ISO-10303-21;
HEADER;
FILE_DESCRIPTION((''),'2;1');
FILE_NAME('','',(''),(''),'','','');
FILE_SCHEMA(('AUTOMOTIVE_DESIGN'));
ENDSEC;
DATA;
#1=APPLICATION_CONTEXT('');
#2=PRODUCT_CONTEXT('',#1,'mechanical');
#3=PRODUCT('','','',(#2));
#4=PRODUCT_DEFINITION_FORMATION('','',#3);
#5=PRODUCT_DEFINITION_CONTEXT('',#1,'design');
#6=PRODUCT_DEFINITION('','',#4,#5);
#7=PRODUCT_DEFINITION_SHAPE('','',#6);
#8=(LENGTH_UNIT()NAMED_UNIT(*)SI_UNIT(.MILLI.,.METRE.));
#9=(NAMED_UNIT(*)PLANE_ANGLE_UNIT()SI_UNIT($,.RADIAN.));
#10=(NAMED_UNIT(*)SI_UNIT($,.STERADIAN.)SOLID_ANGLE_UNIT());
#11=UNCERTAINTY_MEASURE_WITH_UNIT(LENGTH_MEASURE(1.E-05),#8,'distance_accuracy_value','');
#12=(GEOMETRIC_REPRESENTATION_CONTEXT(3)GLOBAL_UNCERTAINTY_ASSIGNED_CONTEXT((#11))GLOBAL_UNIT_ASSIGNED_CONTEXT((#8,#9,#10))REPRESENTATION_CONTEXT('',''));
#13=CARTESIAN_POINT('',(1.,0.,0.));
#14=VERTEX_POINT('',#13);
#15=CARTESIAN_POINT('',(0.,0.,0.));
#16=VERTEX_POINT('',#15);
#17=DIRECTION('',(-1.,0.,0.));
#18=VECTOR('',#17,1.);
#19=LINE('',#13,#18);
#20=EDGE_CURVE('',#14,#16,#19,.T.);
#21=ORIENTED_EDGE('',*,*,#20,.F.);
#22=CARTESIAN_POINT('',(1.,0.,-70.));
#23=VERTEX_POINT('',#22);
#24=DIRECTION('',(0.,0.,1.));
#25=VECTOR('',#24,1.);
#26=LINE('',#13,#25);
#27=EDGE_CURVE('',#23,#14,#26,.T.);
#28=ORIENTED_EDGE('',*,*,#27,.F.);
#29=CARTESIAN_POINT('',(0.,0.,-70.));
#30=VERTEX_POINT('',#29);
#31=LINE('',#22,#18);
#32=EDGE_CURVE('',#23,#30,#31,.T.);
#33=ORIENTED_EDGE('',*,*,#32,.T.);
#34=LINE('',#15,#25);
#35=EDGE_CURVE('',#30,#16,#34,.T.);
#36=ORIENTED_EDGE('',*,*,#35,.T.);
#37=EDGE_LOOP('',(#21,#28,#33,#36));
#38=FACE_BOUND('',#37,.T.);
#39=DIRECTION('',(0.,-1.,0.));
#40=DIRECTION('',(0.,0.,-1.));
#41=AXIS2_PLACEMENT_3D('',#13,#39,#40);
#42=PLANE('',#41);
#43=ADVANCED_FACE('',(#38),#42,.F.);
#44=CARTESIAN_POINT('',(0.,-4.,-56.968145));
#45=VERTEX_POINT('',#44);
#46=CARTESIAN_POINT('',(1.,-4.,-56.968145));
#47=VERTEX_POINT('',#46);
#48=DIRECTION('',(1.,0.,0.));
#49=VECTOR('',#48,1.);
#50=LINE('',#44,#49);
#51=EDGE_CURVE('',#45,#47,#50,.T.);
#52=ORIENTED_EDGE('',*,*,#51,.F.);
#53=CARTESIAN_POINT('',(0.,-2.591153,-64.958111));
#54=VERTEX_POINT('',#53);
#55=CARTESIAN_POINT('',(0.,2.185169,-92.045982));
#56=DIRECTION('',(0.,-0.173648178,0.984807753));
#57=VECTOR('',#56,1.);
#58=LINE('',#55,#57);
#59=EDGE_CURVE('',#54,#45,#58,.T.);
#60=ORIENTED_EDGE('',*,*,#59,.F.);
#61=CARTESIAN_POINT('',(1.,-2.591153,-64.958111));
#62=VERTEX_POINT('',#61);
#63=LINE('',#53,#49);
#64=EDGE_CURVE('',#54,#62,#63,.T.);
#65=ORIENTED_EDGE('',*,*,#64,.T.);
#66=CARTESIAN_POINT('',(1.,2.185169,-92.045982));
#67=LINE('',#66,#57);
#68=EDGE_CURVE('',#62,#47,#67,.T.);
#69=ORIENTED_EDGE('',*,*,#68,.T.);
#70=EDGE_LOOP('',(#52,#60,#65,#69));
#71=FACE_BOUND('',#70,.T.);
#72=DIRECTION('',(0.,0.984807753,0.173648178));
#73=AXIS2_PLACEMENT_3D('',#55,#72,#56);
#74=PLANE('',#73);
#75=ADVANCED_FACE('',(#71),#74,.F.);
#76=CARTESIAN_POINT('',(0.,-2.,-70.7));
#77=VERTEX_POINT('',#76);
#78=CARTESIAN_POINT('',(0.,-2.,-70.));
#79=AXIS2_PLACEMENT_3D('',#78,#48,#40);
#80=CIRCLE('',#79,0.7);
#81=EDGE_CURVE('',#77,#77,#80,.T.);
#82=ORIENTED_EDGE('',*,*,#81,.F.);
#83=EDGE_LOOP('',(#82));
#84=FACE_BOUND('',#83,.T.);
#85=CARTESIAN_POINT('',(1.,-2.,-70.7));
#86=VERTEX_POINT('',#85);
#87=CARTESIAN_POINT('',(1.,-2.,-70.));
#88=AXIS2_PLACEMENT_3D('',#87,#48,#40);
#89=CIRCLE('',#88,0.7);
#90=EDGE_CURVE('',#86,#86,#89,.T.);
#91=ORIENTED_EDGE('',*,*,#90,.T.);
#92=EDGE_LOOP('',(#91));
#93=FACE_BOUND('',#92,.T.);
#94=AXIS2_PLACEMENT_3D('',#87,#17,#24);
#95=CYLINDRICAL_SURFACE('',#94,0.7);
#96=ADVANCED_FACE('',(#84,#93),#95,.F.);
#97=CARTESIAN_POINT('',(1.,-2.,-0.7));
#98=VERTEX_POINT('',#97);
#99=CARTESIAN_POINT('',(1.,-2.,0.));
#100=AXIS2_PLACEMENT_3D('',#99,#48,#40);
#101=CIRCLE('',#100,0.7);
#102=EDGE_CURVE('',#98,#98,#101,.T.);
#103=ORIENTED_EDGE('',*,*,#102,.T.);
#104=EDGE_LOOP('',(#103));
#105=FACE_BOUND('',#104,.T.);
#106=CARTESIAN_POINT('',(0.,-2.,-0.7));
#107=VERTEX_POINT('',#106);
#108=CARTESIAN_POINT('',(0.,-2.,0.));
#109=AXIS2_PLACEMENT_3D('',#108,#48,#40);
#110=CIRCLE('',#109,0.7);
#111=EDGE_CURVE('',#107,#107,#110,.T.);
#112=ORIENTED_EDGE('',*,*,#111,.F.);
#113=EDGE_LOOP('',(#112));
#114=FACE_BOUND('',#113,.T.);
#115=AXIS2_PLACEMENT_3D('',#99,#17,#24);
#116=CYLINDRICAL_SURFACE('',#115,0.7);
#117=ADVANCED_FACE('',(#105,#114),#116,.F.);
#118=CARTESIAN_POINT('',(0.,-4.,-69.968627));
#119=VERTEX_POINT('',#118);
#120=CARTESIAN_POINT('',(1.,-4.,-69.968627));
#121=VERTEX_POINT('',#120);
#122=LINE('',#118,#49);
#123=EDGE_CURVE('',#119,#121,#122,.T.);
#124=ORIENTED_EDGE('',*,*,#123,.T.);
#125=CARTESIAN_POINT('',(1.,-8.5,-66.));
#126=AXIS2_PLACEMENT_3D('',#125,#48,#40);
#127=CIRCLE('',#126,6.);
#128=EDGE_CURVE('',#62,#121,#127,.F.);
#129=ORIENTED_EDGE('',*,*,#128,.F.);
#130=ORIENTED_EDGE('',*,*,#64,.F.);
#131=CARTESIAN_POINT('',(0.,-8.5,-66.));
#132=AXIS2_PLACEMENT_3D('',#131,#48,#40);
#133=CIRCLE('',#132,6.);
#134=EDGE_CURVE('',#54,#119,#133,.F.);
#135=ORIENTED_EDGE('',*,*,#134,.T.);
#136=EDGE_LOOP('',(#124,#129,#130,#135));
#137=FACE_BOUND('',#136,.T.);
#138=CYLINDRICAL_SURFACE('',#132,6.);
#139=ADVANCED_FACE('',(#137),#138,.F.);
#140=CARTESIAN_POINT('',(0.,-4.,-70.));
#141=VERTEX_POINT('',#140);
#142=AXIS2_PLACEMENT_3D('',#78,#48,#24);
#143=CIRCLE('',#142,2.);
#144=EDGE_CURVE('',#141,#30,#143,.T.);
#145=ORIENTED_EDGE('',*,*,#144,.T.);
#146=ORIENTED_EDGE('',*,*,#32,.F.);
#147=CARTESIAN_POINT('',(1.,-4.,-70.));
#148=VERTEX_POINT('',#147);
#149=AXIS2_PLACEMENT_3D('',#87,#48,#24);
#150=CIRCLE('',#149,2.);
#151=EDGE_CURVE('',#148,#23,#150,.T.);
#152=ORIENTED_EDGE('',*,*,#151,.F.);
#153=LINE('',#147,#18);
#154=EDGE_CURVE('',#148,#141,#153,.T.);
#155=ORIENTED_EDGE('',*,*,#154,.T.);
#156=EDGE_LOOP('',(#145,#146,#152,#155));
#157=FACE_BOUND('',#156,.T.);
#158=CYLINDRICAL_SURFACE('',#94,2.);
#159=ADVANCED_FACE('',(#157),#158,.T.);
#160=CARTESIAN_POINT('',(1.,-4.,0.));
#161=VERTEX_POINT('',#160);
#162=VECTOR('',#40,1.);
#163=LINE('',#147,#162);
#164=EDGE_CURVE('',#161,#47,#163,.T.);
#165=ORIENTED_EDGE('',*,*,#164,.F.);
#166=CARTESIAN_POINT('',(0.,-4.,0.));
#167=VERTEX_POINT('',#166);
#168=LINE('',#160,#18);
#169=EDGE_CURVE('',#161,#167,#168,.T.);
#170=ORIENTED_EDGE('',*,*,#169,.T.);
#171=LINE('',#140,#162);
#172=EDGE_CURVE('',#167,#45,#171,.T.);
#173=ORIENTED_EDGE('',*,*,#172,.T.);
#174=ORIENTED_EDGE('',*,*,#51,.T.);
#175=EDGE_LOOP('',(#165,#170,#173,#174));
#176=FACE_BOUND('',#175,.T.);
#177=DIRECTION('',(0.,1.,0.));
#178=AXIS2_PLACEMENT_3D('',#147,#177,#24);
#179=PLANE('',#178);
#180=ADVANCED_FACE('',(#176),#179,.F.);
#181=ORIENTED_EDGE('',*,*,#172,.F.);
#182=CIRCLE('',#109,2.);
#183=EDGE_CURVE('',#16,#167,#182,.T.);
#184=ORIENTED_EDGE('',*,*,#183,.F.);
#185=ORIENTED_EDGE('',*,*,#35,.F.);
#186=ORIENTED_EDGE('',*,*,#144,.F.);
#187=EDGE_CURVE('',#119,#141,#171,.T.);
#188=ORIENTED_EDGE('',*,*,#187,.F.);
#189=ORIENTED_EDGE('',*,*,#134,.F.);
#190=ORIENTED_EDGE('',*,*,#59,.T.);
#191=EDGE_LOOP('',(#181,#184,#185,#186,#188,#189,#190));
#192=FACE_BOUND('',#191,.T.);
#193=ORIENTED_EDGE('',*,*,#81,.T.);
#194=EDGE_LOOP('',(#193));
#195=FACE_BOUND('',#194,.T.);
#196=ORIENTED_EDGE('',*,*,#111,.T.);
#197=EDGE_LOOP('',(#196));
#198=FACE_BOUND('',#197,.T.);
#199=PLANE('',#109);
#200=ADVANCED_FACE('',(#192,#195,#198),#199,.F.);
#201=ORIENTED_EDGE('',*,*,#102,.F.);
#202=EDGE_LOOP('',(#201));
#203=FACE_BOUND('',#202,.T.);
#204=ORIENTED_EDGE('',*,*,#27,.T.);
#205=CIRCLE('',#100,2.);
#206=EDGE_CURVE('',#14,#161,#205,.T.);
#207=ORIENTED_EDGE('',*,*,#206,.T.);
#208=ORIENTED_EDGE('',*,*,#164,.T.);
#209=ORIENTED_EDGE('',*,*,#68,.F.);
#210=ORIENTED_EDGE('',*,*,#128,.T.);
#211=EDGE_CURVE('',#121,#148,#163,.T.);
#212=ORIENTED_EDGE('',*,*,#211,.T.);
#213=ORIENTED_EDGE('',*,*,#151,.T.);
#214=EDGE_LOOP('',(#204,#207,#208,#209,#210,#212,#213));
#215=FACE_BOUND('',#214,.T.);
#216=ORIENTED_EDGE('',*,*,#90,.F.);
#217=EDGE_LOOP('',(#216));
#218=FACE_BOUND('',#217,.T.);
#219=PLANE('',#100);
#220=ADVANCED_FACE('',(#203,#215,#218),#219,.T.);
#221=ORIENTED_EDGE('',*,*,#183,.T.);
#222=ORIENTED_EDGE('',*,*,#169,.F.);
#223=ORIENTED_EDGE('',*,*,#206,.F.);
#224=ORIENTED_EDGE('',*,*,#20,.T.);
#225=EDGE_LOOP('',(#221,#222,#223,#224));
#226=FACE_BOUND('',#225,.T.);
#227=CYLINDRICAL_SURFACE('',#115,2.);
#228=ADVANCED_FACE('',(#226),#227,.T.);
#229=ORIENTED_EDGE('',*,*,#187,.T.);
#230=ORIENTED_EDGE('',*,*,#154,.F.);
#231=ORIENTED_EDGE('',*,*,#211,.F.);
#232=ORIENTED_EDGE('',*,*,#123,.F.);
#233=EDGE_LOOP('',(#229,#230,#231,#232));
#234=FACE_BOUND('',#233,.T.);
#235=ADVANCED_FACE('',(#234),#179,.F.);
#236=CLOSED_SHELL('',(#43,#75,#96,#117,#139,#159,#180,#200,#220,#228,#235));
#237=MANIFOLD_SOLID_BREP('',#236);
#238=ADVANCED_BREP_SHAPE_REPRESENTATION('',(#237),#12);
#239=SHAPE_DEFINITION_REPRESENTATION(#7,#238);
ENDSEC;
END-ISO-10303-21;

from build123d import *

# Parameters (mm, degrees)
SKETCH_1_R          = 0.7
EXTRUDE_1_DEPTH     = 1
CUT_EXTRUDE_1_DEPTH = 2


with BuildPart() as part:
    # Эскиз1 → Вытянуть1 (new body)
    with BuildSketch(Plane(origin=(0, 0, 0), x_dir=(0, 0, -1), z_dir=(1, 0, 0))):
        with BuildLine():
            Line((0, 0), (70, 0))
            ThreePointArc((70, 0), (72, -2), (70, -4))
            Line((70, -4), (0, -4))
            ThreePointArc((0, -4), (-2, -2), (0, 0))
        make_face()
        with Locations((0, -2)):
            Circle(SKETCH_1_R, mode=Mode.SUBTRACT)
        with Locations((70, -2)):
            Circle(SKETCH_1_R, mode=Mode.SUBTRACT)
    extrude(amount=EXTRUDE_1_DEPTH)

    # Эскиз2 → Вырез-Вытянуть1 (cut, through all)
    with BuildSketch(Plane(origin=(1, 0, 0), x_dir=(0, 0, -1), z_dir=(1, 0, 0))):
        with BuildLine():
            Line((185.588178167, -105.966859724), (69.968626967, -4))
            ThreePointArc((69.968626967, -4), (67.624087686, -2.723985874), (64.958110934, -2.591153482))
            Line((64.958110934, -2.591153482), (56.968145289, -4))
            Line((56.968145289, -4), (-94.849228607, -30.769499158))
            Line((-94.849228607, -30.769499158), (-174.701887648, -328.568151357))
            Line((-174.701887648, -328.568151357), (105.735519126, -403.765511923))
            Line((105.735519126, -403.765511923), (185.588178167, -105.966859724))
        make_face()
    extrude(amount=-CUT_EXTRUDE_1_DEPTH, mode=Mode.SUBTRACT)


solid = part.part
